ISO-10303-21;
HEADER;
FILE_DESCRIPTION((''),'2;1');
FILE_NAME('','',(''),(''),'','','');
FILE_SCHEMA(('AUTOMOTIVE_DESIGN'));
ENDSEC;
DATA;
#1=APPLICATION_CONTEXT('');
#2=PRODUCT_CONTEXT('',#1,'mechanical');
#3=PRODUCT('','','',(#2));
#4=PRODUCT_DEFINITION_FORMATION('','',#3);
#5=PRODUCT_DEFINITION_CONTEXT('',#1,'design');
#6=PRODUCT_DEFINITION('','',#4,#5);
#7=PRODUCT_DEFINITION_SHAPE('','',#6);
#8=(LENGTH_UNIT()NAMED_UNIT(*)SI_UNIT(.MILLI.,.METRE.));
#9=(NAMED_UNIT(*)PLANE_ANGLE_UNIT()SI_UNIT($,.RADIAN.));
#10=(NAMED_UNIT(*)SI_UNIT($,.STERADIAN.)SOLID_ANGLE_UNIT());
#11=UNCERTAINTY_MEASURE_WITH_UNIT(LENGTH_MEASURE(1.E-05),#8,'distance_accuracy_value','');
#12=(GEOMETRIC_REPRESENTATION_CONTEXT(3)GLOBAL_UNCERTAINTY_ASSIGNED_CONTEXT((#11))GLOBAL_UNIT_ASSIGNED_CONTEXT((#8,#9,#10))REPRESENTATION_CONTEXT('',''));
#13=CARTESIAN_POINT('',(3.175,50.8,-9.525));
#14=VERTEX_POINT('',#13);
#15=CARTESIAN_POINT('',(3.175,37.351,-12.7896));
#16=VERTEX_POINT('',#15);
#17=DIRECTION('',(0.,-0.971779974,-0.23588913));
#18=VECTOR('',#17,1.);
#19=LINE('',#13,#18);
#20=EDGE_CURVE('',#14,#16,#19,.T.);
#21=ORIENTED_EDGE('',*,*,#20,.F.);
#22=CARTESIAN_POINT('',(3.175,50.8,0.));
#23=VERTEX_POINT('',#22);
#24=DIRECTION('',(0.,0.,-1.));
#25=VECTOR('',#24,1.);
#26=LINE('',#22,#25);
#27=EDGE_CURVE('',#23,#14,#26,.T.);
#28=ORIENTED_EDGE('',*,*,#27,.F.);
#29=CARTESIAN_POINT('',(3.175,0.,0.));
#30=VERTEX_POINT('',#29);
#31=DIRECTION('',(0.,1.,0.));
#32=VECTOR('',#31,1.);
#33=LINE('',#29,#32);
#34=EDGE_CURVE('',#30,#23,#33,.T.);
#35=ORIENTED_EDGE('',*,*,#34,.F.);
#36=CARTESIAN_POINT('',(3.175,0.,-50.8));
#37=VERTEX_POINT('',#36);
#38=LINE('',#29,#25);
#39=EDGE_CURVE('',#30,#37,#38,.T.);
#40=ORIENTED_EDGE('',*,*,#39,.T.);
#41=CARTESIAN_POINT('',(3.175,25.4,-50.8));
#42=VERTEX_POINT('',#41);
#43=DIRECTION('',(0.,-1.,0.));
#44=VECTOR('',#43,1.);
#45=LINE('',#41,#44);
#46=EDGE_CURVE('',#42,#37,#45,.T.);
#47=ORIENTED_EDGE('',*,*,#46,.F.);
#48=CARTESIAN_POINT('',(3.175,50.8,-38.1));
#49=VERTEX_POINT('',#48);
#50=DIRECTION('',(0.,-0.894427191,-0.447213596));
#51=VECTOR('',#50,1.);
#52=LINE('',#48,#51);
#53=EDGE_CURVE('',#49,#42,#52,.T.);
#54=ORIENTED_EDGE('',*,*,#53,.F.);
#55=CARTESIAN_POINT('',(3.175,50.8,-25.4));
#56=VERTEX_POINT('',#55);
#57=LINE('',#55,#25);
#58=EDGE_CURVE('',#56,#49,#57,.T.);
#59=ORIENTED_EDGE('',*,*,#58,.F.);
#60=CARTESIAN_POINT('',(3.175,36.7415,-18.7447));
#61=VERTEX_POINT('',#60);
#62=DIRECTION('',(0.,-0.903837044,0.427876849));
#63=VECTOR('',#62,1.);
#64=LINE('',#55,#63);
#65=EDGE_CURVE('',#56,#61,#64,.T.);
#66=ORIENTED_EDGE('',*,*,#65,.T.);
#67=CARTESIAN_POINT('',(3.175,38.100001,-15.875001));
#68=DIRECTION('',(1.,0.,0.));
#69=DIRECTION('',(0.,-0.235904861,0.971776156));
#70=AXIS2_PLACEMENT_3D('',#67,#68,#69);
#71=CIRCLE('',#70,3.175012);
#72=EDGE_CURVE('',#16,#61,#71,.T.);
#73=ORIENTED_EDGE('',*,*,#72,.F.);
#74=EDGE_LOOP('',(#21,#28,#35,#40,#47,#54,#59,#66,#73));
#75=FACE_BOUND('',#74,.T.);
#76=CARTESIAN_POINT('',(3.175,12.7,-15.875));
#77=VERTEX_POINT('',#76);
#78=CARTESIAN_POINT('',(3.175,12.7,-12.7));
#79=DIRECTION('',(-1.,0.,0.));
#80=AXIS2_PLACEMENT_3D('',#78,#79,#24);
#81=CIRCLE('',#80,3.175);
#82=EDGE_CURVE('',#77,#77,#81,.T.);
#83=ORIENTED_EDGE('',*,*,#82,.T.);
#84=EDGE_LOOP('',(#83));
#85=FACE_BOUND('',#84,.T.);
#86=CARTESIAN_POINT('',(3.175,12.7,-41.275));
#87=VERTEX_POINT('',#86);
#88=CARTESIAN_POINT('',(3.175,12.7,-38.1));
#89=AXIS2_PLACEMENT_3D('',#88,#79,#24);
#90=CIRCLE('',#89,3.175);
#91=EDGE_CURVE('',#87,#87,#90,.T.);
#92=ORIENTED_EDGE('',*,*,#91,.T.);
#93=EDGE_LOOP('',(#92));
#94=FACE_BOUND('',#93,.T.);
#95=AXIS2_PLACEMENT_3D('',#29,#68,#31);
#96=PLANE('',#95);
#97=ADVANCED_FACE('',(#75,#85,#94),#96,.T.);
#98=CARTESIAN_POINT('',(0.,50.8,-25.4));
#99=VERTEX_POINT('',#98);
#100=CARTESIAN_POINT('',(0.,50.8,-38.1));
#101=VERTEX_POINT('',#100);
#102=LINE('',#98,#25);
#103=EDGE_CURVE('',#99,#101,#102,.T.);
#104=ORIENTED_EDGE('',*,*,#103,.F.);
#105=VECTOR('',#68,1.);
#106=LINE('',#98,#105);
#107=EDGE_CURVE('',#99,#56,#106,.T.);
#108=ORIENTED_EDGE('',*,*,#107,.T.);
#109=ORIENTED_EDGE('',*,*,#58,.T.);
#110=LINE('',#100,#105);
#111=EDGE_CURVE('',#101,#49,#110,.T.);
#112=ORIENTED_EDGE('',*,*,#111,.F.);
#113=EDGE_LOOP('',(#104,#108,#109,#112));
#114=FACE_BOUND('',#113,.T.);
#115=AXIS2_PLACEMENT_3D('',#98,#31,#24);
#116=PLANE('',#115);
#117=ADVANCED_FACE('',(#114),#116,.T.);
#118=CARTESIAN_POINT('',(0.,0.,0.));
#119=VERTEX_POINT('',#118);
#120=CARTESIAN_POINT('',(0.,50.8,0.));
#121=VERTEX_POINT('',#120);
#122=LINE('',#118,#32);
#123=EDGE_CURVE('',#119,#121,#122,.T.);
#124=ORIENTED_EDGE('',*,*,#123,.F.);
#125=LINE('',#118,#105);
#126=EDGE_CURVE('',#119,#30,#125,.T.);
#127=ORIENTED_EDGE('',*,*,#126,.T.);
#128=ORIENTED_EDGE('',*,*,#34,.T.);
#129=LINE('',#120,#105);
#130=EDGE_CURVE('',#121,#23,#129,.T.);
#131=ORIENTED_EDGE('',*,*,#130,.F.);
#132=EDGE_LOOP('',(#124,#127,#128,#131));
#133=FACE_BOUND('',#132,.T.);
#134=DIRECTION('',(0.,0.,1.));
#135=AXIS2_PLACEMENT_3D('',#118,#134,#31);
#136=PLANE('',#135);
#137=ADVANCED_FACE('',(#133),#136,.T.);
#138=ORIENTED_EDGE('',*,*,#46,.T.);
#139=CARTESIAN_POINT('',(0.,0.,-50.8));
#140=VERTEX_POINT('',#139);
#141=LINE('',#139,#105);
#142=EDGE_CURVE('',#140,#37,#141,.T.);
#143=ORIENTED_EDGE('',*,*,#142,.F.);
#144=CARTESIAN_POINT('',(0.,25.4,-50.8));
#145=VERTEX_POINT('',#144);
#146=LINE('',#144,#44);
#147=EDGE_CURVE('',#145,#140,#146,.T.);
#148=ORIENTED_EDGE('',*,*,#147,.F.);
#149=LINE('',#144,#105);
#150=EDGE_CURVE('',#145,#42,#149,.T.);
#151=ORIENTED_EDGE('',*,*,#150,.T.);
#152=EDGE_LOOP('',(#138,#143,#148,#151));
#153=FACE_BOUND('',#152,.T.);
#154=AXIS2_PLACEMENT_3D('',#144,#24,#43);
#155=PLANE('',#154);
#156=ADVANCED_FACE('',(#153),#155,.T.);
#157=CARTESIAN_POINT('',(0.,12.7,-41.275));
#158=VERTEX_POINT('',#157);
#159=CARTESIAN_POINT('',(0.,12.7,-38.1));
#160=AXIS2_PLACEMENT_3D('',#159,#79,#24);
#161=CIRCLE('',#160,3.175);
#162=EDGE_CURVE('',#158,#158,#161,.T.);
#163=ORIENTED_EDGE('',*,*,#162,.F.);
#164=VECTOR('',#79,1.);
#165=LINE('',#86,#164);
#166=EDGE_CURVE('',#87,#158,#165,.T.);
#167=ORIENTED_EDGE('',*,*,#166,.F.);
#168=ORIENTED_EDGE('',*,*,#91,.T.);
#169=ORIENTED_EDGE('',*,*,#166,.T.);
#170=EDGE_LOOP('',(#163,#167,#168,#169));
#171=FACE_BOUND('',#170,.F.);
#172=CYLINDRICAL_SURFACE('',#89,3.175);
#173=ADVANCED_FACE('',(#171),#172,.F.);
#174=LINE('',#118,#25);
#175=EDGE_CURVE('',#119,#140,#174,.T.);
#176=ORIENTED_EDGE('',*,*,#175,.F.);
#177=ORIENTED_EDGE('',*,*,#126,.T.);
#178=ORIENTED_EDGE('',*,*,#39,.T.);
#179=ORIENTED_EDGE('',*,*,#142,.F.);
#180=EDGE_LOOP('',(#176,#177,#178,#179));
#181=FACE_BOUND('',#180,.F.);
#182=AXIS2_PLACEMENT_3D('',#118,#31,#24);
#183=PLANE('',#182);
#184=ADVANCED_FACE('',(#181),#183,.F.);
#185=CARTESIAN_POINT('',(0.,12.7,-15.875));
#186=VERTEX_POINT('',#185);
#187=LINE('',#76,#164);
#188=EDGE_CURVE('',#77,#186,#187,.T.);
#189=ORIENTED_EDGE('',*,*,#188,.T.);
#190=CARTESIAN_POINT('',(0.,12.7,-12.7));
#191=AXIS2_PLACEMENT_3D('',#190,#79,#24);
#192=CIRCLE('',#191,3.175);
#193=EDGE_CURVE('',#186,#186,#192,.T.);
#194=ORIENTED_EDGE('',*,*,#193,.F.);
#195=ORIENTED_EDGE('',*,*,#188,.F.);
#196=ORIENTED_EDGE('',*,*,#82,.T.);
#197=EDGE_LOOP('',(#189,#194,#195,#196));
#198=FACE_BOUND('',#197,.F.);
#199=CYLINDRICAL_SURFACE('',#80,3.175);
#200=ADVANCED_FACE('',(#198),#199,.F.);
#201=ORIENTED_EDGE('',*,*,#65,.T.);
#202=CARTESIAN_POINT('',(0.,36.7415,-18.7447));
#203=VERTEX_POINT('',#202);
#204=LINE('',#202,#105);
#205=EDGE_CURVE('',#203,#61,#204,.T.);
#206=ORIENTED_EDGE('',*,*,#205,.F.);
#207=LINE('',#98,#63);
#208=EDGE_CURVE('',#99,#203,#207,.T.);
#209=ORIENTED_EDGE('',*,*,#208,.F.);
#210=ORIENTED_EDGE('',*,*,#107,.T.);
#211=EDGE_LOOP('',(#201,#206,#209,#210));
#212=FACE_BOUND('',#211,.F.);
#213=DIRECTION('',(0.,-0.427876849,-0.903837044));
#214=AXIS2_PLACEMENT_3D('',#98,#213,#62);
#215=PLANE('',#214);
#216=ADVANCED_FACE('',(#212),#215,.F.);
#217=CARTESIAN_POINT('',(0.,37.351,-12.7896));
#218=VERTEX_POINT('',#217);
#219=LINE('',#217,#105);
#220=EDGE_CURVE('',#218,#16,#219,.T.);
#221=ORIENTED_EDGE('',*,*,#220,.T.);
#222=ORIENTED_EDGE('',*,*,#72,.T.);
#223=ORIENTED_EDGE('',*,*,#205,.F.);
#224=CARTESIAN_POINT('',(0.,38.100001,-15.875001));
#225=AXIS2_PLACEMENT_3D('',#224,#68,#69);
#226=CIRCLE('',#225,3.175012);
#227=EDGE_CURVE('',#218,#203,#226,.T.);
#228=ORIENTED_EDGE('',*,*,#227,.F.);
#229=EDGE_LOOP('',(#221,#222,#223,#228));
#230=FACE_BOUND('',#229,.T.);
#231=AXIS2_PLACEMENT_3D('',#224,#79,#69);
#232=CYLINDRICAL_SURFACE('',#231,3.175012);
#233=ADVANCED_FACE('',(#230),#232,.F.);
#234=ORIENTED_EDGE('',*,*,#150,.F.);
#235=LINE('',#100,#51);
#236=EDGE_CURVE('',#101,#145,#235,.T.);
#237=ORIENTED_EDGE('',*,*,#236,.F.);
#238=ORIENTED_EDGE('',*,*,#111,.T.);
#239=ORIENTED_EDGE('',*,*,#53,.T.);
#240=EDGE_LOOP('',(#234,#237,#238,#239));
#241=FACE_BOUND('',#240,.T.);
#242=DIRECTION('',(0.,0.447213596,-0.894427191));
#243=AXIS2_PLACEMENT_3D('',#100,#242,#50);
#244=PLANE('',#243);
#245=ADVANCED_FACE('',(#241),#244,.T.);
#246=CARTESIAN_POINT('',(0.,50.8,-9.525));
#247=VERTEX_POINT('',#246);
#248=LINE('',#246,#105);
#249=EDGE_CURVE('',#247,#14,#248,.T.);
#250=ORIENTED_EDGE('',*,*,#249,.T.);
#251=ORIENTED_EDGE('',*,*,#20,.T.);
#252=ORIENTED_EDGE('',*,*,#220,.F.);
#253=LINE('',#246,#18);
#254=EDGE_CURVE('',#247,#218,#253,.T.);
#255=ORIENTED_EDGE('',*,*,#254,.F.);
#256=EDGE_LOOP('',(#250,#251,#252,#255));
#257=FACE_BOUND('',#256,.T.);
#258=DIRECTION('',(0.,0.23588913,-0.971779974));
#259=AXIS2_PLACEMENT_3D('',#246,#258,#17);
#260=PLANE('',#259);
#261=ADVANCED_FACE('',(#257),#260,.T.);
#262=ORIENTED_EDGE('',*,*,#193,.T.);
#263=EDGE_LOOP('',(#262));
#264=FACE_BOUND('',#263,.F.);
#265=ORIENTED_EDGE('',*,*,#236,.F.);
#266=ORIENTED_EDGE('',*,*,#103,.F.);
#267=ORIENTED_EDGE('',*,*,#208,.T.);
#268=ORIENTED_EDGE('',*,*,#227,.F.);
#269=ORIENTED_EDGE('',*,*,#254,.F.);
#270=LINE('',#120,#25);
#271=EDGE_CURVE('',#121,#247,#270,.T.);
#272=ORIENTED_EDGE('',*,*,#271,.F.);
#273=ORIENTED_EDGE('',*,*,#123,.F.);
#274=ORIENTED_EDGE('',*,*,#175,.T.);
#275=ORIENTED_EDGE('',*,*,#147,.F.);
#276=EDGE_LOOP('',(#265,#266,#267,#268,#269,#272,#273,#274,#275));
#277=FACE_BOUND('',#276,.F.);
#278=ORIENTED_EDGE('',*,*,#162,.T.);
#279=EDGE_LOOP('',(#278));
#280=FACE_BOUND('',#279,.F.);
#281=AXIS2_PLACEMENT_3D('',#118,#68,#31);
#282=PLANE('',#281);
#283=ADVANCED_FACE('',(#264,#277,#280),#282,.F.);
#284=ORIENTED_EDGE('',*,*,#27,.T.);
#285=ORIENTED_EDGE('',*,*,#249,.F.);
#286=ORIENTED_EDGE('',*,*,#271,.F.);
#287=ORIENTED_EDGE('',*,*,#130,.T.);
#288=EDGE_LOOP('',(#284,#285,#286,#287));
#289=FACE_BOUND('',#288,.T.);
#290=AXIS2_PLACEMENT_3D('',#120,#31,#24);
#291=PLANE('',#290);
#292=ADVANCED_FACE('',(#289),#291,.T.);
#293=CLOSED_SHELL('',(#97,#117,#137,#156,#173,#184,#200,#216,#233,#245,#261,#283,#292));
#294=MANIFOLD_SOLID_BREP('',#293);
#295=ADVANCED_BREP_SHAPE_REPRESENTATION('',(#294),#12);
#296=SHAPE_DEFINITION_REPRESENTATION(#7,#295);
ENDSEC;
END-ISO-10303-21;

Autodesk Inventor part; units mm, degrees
ref_plane "YZ Plane" through (0, 0, 0) normal (1, 0, 0) x (0, 1, 0)
ref_plane "XZ Plane" through (0, 0, 0) normal (0, 1, 0) x (-1, 0, 0)
ref_plane "XY Plane" through (0, 0, 0) normal (0, 0, 1) x (1, 0, 0)
sketch "Sketch1" plane through (0, 0, 0) normal (1, 0, 0) x (0, 1, 0)
  line L0 (0, 0) -> (50.8, 0) construction
  line L1 (50.8, 0) -> (50.8, -50.8) construction
  line L2 (50.8, -50.8) -> (0, -50.8) construction
  line L3 (0, -50.8) -> (0, 0) construction
  line L4 (0, 0) -> (50.8, 0)
  line L5 (50.8, 0) -> (50.8, -9.525)
  line L6 (0, 0) -> (0, -50.8)
  line L7 (50.8, -25.4) -> (50.8, -38.1)
  line L8 (50.8, -38.1) -> (25.4, -50.8)
  line L9 (25.4, -50.8) -> (0, -50.8)
  circle A0 centre (38.1, -15.875) radius 3.175 construction
  line L10 (50.8, -9.525) -> (37.351, -12.7896)
  line L11 (50.8, -25.4) -> (36.7415, -18.7447)
  arc A1 (37.351, -12.7896) -> (36.7415, -18.7447) centre (38.1, -15.875) ccw
  dimension "d0" = 50.8
  dimension "d1" = 50.8
  dimension "d2" = 9.525
  dimension "d3" = 12.7
  dimension "d6" = 6.35
  dimension "d7" = 12.7
  dimension "d8" = 15.875
  dimension "d22" = 25.4
  dimension "d23" = 12.7
extrude "Extrusion1" add sketch "Sketch1" along normal blind 3.175
sketch "Sketch2" plane through (3.175, 0, 0) normal (1, 0, 0) x (0, 0, -1)
  line L0 (0, 50.8) -> (0, 0) projected
  line L1 (0, 0) -> (50.8, 0) projected
  point P0 (12.7, 12.7)
  point P1 (38.1, 12.7)
  dimension "d11" = 12.7
  dimension "d12" = 12.7
  dimension "d13" = 12.7
  dimension "d14" = 38.1
hole "Hole1" at (3.175, 12.7, -12.7) at (3.175, 12.7, -38.1) direction (-1, 0, 0) diameter 6.35 end through all
properties part number "pickup arm tab with hook" material "Aluminum 6061"
